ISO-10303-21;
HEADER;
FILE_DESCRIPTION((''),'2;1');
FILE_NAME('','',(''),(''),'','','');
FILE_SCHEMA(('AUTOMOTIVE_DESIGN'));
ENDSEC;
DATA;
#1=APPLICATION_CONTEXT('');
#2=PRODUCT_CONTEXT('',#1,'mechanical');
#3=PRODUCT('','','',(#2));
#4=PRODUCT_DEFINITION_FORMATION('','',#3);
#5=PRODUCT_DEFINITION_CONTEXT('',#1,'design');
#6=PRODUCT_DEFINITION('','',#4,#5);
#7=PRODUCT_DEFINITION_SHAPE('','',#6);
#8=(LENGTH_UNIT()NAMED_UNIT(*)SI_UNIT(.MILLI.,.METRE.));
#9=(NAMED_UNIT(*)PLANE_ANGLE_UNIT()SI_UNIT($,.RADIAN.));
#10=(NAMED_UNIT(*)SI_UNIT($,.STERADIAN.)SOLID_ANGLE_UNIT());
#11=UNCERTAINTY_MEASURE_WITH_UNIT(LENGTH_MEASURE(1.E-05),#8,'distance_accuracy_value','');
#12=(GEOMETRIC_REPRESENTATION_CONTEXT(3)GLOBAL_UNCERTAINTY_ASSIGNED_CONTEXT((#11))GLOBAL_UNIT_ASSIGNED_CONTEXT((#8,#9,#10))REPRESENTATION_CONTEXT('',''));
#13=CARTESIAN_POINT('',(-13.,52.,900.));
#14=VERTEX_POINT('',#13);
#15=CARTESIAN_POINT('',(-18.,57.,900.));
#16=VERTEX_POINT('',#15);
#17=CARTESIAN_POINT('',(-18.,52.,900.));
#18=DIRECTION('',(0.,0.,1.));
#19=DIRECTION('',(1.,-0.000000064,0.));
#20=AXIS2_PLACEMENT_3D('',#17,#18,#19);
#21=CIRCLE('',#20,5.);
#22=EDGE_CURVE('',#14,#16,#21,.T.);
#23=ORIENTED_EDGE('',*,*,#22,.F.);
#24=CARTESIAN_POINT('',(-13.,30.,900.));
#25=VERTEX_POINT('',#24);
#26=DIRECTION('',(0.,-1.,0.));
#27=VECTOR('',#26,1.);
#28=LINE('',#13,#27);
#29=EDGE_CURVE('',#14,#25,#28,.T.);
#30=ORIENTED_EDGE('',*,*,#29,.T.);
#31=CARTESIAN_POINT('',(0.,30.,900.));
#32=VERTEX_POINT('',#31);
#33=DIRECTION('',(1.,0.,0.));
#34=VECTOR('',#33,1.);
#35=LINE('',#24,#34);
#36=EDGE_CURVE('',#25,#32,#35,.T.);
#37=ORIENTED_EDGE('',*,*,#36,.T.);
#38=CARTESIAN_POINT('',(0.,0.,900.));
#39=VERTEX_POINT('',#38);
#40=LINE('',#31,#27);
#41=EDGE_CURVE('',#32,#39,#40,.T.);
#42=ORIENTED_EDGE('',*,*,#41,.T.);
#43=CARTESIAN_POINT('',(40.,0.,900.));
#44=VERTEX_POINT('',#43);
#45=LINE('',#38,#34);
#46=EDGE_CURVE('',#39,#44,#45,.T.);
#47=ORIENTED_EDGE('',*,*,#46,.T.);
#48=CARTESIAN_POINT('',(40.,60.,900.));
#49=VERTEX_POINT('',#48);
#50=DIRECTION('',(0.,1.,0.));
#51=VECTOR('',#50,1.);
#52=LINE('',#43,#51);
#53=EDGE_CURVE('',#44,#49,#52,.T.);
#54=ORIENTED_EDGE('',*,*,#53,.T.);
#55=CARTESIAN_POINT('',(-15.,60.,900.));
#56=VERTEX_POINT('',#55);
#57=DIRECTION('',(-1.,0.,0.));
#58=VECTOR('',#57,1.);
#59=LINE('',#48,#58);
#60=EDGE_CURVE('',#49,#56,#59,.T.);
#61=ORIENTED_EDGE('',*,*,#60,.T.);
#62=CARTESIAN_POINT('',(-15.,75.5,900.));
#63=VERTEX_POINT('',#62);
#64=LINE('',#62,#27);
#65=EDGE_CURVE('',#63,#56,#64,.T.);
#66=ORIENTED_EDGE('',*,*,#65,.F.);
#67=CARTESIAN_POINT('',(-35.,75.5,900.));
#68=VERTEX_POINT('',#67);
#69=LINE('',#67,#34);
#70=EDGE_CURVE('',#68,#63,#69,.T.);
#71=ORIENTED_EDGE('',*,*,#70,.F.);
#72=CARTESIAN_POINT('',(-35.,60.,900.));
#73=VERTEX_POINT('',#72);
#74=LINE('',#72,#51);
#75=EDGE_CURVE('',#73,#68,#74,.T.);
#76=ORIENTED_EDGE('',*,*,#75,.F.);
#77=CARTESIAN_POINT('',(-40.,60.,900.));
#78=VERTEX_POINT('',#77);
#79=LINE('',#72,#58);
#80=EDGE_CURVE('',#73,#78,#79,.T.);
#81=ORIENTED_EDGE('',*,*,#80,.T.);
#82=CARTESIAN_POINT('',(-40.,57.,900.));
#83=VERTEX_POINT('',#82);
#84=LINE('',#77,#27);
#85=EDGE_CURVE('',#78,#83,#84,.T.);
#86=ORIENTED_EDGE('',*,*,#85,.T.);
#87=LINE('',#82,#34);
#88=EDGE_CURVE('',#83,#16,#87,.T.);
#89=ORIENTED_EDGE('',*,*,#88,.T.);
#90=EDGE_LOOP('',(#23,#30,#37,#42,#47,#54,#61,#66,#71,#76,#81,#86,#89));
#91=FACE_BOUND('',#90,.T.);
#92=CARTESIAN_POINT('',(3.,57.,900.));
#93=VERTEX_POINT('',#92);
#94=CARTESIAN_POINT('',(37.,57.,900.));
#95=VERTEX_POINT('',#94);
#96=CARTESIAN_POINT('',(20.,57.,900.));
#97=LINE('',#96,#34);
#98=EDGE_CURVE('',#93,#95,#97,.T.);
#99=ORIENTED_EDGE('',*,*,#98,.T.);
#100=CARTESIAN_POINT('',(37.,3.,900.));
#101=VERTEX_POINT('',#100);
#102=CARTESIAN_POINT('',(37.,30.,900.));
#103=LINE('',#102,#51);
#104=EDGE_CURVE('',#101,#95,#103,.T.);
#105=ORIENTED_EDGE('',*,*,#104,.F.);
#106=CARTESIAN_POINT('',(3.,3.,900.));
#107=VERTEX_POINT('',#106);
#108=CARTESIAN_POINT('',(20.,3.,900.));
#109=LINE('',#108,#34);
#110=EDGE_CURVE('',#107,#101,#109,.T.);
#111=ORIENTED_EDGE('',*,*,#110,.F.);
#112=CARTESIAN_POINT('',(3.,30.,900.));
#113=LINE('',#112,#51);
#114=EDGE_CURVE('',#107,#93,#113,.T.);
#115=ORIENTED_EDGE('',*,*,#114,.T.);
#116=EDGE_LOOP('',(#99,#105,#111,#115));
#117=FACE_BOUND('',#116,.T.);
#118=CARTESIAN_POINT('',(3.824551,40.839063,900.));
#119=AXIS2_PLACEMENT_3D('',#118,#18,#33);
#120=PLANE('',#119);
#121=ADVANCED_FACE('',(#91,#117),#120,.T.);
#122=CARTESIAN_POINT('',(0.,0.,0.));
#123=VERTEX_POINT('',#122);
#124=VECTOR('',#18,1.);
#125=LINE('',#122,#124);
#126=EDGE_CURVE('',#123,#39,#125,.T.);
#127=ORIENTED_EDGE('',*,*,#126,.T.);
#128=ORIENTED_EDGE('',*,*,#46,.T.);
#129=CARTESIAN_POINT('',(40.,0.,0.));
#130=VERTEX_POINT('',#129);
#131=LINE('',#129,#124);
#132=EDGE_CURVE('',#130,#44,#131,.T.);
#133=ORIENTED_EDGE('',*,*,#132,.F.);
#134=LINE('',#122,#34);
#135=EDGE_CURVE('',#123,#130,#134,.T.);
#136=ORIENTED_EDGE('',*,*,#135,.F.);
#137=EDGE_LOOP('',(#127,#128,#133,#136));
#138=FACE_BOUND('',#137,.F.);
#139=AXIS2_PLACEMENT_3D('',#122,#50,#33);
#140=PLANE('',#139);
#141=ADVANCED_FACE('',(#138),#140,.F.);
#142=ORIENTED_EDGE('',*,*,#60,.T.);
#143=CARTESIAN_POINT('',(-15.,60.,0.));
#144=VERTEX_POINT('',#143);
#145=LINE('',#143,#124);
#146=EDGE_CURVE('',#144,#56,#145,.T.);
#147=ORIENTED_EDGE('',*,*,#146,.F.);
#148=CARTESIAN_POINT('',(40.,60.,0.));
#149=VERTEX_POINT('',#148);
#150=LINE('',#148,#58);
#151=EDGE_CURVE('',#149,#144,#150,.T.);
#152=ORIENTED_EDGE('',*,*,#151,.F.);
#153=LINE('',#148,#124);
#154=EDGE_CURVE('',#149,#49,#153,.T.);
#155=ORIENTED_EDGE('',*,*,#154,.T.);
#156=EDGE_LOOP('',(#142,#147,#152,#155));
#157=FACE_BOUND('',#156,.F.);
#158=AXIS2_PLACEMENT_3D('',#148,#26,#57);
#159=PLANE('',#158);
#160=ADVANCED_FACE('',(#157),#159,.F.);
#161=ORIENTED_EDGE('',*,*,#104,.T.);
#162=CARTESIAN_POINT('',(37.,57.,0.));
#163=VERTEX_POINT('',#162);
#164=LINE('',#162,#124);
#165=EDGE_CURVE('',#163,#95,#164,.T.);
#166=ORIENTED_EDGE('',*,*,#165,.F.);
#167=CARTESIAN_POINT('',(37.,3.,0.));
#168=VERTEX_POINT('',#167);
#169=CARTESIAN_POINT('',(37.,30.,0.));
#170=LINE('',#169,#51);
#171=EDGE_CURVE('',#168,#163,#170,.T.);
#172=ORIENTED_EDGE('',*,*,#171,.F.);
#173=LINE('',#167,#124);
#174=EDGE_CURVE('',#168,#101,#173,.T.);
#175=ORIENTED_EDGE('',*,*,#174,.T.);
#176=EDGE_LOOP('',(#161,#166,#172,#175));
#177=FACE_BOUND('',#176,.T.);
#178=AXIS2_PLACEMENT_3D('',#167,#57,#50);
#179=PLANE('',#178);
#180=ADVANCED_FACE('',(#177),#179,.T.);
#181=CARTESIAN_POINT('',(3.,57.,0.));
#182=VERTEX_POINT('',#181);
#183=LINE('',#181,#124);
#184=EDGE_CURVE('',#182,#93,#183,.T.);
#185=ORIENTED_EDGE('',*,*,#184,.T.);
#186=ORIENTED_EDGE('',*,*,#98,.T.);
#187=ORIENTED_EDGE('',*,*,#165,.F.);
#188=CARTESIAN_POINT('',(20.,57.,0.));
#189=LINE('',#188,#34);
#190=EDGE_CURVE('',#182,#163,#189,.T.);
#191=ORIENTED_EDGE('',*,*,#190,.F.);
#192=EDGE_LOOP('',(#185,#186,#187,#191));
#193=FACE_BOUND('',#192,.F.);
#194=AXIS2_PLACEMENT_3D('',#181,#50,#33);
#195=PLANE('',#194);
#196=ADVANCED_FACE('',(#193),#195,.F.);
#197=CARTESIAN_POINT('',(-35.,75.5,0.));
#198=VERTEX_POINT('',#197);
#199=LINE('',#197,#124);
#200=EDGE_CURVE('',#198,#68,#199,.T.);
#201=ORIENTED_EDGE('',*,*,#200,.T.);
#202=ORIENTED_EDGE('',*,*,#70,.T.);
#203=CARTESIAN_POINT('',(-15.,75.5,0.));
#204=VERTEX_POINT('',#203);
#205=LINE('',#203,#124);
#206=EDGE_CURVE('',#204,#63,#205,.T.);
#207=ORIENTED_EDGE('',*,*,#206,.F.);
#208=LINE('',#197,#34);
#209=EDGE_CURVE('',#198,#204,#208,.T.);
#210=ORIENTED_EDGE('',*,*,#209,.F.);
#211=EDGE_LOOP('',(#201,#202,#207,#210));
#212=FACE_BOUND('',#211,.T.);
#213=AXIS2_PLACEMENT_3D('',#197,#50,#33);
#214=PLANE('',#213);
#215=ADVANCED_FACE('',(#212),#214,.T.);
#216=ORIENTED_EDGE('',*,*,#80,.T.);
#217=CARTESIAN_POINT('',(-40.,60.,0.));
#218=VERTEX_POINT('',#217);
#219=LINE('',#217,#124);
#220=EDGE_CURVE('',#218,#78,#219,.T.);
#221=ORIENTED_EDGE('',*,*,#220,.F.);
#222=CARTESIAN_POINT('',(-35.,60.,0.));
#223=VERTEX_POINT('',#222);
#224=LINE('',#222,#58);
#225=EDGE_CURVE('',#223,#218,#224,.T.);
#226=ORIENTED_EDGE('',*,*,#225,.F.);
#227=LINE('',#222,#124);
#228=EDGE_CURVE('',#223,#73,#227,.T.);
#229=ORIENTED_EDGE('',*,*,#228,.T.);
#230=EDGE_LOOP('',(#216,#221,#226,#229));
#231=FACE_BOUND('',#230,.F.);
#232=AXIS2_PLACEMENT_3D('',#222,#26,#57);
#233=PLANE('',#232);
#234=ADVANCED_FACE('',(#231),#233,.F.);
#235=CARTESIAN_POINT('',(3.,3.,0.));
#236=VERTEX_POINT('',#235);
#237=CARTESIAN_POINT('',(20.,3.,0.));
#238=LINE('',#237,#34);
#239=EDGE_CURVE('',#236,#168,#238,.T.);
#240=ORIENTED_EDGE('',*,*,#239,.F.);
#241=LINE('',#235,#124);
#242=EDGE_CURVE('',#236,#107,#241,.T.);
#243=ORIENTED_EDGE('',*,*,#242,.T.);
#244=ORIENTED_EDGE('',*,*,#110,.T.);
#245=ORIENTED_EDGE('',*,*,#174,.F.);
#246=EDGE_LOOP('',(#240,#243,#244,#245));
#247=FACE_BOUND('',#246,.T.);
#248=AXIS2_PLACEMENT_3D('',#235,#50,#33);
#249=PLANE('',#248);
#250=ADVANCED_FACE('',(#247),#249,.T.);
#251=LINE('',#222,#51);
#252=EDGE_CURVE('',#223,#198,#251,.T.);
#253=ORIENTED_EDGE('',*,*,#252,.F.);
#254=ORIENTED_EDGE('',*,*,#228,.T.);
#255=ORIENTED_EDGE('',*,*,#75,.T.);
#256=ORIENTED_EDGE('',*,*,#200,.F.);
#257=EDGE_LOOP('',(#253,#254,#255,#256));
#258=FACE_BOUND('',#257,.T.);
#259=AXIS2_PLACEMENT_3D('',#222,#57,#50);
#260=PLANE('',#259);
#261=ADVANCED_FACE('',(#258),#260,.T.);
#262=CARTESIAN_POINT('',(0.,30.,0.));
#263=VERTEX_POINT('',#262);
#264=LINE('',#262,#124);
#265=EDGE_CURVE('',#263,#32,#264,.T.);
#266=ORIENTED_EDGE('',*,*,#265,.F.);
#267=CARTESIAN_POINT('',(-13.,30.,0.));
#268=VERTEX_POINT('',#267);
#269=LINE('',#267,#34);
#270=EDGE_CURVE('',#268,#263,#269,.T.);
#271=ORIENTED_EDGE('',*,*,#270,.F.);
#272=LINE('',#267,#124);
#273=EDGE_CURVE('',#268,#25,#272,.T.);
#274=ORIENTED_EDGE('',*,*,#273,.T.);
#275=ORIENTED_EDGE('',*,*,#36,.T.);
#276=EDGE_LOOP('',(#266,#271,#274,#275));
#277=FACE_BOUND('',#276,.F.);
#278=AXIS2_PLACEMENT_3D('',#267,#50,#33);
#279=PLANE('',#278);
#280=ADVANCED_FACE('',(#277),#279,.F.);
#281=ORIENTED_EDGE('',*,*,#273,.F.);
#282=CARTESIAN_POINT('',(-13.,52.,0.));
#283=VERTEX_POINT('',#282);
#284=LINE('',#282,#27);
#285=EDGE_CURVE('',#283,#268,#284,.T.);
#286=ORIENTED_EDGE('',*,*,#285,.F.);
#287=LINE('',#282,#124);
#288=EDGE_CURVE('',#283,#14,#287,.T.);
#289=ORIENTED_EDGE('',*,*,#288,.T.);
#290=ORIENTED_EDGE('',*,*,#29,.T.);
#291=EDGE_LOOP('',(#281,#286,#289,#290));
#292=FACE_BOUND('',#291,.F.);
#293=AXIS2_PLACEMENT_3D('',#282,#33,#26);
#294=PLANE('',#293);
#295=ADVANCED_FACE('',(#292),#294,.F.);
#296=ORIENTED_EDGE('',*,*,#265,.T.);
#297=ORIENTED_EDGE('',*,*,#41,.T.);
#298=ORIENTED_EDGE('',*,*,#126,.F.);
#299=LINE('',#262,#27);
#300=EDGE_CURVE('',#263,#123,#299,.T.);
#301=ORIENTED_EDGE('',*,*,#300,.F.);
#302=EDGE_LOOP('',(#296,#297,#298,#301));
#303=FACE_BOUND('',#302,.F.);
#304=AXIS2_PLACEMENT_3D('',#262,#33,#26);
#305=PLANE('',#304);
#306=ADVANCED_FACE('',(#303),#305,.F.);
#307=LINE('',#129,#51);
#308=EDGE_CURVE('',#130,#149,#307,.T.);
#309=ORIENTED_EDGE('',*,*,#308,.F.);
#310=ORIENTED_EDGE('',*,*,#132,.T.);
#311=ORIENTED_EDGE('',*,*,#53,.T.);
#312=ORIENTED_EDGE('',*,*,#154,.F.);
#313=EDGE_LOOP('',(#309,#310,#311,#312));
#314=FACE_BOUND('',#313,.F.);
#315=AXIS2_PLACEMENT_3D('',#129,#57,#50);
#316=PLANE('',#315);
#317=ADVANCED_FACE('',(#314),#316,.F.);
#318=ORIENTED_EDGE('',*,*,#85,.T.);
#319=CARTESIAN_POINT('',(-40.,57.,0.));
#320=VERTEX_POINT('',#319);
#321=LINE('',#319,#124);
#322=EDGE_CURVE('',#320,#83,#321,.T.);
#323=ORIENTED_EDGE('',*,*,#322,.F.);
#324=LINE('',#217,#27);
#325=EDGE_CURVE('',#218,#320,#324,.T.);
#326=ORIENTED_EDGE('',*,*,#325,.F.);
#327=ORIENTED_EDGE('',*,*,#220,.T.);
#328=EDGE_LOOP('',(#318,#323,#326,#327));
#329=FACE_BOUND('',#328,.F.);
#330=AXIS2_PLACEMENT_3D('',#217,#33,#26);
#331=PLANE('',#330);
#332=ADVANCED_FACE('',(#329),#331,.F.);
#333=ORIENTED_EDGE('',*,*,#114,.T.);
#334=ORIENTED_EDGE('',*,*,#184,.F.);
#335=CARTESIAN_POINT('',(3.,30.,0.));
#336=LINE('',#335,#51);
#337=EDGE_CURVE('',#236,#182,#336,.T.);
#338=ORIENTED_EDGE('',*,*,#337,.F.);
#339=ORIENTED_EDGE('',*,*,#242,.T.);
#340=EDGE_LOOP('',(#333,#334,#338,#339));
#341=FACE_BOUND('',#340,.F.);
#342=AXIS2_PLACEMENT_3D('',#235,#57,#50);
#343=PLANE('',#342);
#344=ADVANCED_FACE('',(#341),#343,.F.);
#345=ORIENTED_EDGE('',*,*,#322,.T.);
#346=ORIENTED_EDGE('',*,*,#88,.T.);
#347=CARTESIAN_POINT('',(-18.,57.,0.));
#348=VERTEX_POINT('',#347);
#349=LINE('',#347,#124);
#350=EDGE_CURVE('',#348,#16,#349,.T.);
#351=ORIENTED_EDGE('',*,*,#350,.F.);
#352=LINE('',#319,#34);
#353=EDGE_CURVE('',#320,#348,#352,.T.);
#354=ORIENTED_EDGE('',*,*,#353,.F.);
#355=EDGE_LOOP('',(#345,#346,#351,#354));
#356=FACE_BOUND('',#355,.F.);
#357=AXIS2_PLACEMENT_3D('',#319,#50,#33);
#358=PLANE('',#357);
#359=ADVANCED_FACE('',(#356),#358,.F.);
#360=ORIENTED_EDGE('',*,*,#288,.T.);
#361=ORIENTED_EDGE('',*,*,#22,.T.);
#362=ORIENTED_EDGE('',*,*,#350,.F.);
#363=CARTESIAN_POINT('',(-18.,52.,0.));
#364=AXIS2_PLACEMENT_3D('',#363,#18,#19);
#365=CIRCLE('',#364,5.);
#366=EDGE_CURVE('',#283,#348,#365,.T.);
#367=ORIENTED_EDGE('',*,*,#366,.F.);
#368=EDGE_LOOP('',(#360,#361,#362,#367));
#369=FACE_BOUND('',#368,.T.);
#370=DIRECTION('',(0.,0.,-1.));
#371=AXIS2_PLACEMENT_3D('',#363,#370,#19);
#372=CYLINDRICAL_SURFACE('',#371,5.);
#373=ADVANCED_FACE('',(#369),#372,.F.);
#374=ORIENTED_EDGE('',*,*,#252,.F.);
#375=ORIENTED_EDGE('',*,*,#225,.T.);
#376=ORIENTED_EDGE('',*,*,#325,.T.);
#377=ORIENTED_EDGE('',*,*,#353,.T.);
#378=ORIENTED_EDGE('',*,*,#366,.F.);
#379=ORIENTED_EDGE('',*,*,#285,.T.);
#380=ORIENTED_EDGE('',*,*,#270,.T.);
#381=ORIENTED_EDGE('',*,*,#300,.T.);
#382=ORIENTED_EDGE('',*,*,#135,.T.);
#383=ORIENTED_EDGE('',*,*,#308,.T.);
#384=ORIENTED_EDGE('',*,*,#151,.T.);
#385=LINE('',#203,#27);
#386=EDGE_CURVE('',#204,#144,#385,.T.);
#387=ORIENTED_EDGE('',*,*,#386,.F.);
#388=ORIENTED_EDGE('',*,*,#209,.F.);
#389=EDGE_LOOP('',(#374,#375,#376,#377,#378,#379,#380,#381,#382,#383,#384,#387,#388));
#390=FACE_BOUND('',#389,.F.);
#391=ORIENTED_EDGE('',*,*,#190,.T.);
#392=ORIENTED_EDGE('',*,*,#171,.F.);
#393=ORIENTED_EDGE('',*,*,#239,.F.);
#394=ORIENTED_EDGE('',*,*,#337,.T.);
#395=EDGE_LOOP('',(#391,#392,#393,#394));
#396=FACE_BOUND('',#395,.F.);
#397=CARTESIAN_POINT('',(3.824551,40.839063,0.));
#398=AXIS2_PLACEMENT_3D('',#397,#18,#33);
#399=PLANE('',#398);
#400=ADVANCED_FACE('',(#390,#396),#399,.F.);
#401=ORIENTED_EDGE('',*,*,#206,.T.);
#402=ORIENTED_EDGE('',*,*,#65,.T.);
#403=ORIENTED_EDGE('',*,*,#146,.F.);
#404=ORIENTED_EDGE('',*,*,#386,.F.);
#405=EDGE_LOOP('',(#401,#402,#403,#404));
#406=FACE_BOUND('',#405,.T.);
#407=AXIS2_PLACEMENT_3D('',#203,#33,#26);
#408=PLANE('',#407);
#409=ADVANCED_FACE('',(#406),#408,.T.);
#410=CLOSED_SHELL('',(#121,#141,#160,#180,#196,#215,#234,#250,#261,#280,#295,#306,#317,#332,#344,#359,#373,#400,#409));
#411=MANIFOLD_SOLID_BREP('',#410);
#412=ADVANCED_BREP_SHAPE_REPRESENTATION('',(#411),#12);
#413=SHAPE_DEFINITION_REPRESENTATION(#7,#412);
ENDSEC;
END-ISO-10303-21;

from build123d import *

# Parameters (mm, degrees)
SKETCH_W  = 34
SKETCH_H  = 54
PAD_DEPTH = 900


with BuildPart() as part:
    # Sketch → Pad (new body)
    with BuildSketch(Plane.XY):
        with BuildLine():
            Line((0, 0), (40, 0))
            Line((40, 0), (40, 60))
            Line((40, 60), (-15, 60))
            Line((-15, 75.5), (-15, 60))
            Line((-35, 75.5), (-15, 75.5))
            Line((-35, 60), (-35, 75.5))
            Line((-35, 60), (-40, 60))
            Line((-40, 60), (-40, 57))
            Line((-40, 57), (-18, 57))
            ThreePointArc((-13, 52), (-14.464466, 55.535534), (-18, 57))
            Line((-13, 52), (-13, 30))
            Line((-13, 30), (0, 30))
            Line((0, 30), (0, 0))
        make_face()
        with Locations((20, 30)):
            Rectangle(SKETCH_W, SKETCH_H, mode=Mode.SUBTRACT)
    extrude(amount=PAD_DEPTH)


solid = part.part
